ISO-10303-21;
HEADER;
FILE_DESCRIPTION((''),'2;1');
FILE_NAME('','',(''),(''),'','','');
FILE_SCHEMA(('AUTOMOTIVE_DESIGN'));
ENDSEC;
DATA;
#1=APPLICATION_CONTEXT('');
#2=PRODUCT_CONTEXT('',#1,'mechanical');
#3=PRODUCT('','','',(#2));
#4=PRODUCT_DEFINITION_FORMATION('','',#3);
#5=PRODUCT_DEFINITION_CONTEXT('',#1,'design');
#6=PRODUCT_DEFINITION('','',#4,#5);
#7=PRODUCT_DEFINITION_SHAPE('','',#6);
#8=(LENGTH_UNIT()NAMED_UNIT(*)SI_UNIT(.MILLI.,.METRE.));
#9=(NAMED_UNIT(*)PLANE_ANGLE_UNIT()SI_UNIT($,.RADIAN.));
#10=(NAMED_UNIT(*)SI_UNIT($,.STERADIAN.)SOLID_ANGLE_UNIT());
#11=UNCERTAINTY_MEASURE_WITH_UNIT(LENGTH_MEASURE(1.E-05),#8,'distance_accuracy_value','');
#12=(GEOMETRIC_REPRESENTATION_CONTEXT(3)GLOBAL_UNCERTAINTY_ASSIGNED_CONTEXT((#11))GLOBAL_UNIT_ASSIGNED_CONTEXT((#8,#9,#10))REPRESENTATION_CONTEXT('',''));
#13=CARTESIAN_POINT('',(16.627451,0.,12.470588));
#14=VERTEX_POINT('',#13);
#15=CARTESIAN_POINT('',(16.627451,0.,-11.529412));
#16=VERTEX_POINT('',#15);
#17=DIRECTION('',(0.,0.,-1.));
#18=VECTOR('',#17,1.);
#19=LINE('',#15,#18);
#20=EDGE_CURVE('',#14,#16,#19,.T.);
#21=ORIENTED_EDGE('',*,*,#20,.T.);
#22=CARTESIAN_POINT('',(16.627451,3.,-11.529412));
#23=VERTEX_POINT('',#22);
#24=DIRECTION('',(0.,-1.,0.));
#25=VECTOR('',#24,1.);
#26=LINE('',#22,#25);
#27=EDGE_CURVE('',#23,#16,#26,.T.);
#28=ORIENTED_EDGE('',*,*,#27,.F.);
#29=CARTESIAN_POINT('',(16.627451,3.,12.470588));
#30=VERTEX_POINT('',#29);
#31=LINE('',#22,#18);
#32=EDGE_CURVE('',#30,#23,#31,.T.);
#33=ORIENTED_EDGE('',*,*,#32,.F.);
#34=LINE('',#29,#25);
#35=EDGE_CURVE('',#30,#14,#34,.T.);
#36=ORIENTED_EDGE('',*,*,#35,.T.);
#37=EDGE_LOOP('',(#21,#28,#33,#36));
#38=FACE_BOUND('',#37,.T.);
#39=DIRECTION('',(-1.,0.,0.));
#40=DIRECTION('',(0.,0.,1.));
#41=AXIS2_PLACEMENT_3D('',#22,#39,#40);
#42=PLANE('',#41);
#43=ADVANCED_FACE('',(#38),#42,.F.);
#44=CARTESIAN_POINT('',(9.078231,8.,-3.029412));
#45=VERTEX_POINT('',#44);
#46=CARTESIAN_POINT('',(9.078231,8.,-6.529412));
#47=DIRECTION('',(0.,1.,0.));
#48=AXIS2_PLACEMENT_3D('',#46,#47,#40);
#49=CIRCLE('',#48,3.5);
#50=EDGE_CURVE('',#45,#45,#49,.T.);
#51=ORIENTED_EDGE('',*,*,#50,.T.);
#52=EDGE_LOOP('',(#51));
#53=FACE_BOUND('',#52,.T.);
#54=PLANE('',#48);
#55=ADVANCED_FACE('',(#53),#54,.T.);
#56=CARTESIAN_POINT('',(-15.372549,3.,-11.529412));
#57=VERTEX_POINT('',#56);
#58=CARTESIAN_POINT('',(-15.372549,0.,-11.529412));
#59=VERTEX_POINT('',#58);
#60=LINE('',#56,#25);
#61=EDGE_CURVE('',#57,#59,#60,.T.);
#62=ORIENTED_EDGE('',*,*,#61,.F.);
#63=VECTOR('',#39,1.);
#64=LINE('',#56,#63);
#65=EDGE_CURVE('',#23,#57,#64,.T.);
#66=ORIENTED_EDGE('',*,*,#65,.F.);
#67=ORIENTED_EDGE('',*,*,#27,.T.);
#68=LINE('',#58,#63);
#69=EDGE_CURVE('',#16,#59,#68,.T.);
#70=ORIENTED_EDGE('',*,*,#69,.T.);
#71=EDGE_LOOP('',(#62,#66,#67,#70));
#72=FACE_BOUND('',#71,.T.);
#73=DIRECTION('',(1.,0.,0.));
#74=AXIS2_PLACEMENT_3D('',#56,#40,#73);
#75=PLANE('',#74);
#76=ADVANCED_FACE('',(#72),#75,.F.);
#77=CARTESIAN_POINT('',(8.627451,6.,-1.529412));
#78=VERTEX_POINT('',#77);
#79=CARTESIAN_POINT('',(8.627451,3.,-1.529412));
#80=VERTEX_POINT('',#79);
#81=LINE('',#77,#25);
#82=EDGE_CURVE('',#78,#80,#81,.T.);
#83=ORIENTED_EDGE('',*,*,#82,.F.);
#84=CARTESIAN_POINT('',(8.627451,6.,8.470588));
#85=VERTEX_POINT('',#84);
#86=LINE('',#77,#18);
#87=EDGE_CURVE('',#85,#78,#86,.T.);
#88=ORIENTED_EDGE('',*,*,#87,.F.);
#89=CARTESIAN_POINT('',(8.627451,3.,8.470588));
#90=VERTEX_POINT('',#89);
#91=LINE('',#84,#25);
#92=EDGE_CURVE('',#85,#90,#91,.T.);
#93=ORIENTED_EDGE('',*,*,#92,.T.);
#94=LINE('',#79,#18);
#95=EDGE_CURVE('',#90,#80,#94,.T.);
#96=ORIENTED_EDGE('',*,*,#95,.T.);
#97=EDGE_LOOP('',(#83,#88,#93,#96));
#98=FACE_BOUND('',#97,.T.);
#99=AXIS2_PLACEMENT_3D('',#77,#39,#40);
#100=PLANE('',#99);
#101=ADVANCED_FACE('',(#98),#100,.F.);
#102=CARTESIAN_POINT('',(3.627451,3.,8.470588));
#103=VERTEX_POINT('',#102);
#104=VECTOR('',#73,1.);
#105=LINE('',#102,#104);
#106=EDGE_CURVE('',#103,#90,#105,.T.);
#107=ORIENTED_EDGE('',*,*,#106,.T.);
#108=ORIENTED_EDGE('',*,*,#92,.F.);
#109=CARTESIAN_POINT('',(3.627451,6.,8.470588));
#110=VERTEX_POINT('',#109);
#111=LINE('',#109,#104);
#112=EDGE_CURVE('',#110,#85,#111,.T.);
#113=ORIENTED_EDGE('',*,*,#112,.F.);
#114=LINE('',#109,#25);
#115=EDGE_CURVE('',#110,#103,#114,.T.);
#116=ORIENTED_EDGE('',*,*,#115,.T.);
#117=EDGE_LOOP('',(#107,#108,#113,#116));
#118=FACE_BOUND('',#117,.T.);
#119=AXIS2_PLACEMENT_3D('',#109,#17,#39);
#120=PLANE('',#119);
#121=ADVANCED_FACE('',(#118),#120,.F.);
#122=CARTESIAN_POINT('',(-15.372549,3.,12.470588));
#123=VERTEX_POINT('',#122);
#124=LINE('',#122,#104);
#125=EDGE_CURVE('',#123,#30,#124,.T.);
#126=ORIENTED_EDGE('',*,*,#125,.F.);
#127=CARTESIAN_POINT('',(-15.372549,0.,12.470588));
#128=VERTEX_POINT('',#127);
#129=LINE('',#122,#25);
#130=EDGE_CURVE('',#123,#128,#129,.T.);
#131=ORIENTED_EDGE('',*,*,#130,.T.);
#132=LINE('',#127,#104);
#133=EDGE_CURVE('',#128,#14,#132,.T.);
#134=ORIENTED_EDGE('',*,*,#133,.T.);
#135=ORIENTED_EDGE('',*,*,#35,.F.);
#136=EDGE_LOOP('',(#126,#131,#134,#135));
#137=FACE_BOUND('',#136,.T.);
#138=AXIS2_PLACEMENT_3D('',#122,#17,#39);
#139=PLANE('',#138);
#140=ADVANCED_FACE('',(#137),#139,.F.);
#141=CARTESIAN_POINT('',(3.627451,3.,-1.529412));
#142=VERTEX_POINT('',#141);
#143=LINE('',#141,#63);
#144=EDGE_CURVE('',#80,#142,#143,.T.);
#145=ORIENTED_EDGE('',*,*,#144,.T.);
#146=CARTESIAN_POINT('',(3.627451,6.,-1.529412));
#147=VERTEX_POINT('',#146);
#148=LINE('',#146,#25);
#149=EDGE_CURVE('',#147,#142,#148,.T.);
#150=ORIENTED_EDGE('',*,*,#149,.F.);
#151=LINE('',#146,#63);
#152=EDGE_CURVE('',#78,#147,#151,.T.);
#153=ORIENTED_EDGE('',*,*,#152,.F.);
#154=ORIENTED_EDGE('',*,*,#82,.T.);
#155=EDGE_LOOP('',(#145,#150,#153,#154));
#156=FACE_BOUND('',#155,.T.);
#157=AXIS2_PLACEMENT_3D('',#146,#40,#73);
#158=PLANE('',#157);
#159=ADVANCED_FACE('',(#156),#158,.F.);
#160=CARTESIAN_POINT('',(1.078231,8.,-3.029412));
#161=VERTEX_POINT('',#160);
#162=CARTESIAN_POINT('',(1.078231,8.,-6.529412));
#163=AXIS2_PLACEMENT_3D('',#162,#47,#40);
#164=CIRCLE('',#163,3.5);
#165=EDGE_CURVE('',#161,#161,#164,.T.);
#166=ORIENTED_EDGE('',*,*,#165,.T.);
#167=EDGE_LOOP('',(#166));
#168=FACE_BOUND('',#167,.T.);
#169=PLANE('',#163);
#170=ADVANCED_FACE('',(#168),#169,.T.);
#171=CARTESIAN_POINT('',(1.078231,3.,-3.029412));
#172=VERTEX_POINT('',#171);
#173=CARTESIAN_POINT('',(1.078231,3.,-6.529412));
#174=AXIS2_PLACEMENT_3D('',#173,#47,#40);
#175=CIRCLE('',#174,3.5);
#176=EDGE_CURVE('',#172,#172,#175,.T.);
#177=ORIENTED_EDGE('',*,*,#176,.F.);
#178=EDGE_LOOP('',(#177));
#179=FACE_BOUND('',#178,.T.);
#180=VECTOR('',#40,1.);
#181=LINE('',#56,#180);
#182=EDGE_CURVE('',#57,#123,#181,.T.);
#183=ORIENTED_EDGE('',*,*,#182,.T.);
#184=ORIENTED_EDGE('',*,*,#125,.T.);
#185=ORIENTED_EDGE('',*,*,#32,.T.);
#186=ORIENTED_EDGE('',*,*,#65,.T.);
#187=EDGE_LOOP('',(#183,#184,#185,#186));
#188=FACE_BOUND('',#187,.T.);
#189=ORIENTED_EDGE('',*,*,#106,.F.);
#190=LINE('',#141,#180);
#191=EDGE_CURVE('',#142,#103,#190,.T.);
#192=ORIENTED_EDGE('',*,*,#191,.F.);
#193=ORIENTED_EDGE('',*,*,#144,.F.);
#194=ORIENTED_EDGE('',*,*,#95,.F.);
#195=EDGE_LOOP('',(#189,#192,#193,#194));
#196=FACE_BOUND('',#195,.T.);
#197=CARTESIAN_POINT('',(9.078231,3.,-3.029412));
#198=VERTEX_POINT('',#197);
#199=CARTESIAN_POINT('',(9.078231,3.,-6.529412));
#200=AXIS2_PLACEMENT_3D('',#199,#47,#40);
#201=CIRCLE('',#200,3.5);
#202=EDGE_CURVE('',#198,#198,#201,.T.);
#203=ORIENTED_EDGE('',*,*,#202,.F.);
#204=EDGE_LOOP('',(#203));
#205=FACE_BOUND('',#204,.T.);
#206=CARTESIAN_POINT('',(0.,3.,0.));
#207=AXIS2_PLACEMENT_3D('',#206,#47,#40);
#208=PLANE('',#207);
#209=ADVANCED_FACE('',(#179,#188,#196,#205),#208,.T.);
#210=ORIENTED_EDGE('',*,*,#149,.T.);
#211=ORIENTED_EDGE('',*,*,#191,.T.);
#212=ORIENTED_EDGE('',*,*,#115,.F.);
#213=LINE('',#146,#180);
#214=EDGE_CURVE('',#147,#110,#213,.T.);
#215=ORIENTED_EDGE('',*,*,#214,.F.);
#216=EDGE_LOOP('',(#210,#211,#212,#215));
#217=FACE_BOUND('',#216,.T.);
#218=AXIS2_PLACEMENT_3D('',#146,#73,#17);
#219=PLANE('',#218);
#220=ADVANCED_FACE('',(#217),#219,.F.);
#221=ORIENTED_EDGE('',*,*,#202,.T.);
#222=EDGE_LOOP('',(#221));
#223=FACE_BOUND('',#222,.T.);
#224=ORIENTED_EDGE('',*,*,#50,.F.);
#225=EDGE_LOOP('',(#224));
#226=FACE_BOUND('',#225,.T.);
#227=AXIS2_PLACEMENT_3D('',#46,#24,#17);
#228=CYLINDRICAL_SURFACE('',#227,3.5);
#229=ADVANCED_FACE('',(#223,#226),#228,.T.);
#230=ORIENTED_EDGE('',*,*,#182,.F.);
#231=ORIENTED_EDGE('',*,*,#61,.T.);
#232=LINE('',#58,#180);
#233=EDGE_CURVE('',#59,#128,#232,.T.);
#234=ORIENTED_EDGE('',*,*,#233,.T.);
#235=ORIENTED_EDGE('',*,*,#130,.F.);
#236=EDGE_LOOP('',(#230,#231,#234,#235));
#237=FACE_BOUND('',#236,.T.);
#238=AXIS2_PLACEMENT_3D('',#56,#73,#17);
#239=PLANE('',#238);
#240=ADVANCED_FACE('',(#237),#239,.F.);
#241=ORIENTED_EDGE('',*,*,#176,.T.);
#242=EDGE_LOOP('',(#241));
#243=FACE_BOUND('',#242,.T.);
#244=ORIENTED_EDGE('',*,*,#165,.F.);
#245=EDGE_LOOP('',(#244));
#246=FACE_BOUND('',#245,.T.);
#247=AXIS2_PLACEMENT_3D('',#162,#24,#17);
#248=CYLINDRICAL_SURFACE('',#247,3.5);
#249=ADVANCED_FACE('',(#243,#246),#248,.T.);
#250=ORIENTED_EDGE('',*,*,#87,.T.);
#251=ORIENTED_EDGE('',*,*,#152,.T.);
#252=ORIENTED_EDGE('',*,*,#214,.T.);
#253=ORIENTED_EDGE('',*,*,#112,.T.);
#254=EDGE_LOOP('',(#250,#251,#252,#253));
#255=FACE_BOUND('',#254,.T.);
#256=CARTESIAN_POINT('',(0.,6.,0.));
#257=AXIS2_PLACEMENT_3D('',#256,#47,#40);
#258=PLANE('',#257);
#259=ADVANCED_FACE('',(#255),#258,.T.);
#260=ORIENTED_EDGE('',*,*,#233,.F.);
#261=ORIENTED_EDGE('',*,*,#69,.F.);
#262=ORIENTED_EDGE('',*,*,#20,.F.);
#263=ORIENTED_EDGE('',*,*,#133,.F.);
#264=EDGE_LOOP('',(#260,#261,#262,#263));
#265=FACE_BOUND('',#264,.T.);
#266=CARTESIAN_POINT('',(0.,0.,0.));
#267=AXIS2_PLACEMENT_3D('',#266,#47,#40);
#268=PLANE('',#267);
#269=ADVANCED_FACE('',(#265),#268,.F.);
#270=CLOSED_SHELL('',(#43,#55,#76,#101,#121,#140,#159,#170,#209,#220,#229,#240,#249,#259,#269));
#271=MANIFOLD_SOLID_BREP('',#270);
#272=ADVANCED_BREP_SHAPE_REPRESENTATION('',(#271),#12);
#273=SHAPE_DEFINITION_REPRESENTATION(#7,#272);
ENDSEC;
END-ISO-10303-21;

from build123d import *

# Parameters (mm, degrees)
SKETCH1_W           = 32
SKETCH1_H           = 24
BOSS_EXTRUDE1_DEPTH = 3
SKETCH2_R           = 3.5
BOSS_EXTRUDE2_DEPTH = 5
SKETCH3_W           = 5
SKETCH3_H           = 10
BOSS_EXTRUDE3_DEPTH = 3


with BuildPart() as part:
    # Sketch1 → Boss-Extrude1 (new body)
    with BuildSketch(Plane(origin=(0, 0, 0), x_dir=(1, 0, 0), z_dir=(0, 1, 0))):
        with Locations((0.62745098, -0.470588235)):
            Rectangle(SKETCH1_W, SKETCH1_H)
    extrude(amount=BOSS_EXTRUDE1_DEPTH)

    # Sketch2 → Boss-Extrude2 (add)
    with BuildSketch(Plane(origin=(0, 3, 0), x_dir=(1, 0, 0), z_dir=(0, 1, 0))):
        with Locations((1.078230838, 6.529411765)):
            Circle(SKETCH2_R)
        with Locations((9.078230838, 6.529411765)):
            Circle(SKETCH2_R)
    extrude(amount=BOSS_EXTRUDE2_DEPTH)

    # Sketch3 → Boss-Extrude3 (add)
    with BuildSketch(Plane(origin=(0, 3, 0), x_dir=(1, 0, 0), z_dir=(0, 1, 0))):
        with Locations((6.12745098, -3.470588235)):
            Rectangle(SKETCH3_W, SKETCH3_H)
    extrude(amount=BOSS_EXTRUDE3_DEPTH)


solid = part.part
